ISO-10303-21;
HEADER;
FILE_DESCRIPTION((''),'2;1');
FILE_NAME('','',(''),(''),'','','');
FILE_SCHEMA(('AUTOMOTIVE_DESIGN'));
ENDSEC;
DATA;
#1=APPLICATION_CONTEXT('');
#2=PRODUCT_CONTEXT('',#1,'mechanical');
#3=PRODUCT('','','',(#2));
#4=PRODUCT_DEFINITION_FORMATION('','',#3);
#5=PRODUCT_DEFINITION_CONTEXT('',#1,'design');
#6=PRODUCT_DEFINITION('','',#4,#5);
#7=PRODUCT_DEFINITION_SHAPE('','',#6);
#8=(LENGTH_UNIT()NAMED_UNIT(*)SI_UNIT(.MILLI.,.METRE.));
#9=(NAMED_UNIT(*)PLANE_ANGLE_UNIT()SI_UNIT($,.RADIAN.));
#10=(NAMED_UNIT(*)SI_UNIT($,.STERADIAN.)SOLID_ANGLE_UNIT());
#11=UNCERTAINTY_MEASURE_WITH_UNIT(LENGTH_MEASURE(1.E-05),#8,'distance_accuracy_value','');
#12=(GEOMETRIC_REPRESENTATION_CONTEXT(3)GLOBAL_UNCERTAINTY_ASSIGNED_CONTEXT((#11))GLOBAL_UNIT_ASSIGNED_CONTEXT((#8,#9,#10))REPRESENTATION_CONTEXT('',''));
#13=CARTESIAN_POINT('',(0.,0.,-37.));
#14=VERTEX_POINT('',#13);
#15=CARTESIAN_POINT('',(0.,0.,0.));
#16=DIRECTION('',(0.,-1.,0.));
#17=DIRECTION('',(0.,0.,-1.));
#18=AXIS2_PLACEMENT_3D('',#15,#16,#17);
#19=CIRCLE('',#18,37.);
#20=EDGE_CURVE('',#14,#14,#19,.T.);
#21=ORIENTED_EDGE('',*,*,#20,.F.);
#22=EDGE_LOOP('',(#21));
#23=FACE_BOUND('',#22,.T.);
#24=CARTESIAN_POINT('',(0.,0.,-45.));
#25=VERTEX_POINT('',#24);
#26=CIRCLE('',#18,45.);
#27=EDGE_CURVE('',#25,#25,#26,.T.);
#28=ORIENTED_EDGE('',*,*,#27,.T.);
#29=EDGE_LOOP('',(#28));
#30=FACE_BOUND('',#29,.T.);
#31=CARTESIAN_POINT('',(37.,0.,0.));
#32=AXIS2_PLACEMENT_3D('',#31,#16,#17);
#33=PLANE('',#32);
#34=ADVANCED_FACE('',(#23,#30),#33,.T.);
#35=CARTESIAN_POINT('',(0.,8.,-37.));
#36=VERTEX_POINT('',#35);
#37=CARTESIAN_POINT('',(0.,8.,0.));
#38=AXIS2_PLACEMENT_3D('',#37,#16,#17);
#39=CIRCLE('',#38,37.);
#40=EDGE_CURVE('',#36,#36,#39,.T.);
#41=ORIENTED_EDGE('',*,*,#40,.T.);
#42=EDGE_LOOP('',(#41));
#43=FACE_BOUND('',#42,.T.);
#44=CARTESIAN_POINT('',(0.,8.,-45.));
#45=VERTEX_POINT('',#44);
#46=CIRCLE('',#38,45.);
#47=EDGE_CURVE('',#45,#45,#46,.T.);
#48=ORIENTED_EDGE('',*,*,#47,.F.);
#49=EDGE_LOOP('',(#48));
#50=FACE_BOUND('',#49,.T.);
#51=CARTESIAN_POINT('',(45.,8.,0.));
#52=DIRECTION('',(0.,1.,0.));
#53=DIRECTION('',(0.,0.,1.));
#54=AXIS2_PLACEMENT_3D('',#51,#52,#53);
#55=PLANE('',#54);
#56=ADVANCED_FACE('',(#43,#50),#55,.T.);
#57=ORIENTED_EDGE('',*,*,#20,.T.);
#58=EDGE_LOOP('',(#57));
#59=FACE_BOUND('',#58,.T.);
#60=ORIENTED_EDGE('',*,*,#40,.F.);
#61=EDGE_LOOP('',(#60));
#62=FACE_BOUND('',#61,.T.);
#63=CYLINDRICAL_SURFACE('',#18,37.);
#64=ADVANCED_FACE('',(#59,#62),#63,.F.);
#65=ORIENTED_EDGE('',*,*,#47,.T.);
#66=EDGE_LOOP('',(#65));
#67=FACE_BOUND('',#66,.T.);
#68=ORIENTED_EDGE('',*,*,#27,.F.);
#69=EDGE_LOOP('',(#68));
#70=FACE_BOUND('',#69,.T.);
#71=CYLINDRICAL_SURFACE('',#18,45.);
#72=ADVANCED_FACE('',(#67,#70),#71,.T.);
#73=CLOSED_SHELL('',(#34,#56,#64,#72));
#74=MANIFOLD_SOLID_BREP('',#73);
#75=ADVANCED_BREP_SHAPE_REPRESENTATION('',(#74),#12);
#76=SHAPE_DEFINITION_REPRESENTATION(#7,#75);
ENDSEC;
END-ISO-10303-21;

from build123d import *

# Parameters (mm, degrees)
SKETCH1_W = 8
SKETCH1_H = 8


with BuildPart() as part:
    # Sketch1 → Revolve1 (revolve)
    with BuildSketch(Plane.XY):
        with Locations((41, 4)):
            Rectangle(SKETCH1_W, SKETCH1_H)
    revolve(axis=Axis((0, 0, 0), (0, 1, 0)))


solid = part.part
